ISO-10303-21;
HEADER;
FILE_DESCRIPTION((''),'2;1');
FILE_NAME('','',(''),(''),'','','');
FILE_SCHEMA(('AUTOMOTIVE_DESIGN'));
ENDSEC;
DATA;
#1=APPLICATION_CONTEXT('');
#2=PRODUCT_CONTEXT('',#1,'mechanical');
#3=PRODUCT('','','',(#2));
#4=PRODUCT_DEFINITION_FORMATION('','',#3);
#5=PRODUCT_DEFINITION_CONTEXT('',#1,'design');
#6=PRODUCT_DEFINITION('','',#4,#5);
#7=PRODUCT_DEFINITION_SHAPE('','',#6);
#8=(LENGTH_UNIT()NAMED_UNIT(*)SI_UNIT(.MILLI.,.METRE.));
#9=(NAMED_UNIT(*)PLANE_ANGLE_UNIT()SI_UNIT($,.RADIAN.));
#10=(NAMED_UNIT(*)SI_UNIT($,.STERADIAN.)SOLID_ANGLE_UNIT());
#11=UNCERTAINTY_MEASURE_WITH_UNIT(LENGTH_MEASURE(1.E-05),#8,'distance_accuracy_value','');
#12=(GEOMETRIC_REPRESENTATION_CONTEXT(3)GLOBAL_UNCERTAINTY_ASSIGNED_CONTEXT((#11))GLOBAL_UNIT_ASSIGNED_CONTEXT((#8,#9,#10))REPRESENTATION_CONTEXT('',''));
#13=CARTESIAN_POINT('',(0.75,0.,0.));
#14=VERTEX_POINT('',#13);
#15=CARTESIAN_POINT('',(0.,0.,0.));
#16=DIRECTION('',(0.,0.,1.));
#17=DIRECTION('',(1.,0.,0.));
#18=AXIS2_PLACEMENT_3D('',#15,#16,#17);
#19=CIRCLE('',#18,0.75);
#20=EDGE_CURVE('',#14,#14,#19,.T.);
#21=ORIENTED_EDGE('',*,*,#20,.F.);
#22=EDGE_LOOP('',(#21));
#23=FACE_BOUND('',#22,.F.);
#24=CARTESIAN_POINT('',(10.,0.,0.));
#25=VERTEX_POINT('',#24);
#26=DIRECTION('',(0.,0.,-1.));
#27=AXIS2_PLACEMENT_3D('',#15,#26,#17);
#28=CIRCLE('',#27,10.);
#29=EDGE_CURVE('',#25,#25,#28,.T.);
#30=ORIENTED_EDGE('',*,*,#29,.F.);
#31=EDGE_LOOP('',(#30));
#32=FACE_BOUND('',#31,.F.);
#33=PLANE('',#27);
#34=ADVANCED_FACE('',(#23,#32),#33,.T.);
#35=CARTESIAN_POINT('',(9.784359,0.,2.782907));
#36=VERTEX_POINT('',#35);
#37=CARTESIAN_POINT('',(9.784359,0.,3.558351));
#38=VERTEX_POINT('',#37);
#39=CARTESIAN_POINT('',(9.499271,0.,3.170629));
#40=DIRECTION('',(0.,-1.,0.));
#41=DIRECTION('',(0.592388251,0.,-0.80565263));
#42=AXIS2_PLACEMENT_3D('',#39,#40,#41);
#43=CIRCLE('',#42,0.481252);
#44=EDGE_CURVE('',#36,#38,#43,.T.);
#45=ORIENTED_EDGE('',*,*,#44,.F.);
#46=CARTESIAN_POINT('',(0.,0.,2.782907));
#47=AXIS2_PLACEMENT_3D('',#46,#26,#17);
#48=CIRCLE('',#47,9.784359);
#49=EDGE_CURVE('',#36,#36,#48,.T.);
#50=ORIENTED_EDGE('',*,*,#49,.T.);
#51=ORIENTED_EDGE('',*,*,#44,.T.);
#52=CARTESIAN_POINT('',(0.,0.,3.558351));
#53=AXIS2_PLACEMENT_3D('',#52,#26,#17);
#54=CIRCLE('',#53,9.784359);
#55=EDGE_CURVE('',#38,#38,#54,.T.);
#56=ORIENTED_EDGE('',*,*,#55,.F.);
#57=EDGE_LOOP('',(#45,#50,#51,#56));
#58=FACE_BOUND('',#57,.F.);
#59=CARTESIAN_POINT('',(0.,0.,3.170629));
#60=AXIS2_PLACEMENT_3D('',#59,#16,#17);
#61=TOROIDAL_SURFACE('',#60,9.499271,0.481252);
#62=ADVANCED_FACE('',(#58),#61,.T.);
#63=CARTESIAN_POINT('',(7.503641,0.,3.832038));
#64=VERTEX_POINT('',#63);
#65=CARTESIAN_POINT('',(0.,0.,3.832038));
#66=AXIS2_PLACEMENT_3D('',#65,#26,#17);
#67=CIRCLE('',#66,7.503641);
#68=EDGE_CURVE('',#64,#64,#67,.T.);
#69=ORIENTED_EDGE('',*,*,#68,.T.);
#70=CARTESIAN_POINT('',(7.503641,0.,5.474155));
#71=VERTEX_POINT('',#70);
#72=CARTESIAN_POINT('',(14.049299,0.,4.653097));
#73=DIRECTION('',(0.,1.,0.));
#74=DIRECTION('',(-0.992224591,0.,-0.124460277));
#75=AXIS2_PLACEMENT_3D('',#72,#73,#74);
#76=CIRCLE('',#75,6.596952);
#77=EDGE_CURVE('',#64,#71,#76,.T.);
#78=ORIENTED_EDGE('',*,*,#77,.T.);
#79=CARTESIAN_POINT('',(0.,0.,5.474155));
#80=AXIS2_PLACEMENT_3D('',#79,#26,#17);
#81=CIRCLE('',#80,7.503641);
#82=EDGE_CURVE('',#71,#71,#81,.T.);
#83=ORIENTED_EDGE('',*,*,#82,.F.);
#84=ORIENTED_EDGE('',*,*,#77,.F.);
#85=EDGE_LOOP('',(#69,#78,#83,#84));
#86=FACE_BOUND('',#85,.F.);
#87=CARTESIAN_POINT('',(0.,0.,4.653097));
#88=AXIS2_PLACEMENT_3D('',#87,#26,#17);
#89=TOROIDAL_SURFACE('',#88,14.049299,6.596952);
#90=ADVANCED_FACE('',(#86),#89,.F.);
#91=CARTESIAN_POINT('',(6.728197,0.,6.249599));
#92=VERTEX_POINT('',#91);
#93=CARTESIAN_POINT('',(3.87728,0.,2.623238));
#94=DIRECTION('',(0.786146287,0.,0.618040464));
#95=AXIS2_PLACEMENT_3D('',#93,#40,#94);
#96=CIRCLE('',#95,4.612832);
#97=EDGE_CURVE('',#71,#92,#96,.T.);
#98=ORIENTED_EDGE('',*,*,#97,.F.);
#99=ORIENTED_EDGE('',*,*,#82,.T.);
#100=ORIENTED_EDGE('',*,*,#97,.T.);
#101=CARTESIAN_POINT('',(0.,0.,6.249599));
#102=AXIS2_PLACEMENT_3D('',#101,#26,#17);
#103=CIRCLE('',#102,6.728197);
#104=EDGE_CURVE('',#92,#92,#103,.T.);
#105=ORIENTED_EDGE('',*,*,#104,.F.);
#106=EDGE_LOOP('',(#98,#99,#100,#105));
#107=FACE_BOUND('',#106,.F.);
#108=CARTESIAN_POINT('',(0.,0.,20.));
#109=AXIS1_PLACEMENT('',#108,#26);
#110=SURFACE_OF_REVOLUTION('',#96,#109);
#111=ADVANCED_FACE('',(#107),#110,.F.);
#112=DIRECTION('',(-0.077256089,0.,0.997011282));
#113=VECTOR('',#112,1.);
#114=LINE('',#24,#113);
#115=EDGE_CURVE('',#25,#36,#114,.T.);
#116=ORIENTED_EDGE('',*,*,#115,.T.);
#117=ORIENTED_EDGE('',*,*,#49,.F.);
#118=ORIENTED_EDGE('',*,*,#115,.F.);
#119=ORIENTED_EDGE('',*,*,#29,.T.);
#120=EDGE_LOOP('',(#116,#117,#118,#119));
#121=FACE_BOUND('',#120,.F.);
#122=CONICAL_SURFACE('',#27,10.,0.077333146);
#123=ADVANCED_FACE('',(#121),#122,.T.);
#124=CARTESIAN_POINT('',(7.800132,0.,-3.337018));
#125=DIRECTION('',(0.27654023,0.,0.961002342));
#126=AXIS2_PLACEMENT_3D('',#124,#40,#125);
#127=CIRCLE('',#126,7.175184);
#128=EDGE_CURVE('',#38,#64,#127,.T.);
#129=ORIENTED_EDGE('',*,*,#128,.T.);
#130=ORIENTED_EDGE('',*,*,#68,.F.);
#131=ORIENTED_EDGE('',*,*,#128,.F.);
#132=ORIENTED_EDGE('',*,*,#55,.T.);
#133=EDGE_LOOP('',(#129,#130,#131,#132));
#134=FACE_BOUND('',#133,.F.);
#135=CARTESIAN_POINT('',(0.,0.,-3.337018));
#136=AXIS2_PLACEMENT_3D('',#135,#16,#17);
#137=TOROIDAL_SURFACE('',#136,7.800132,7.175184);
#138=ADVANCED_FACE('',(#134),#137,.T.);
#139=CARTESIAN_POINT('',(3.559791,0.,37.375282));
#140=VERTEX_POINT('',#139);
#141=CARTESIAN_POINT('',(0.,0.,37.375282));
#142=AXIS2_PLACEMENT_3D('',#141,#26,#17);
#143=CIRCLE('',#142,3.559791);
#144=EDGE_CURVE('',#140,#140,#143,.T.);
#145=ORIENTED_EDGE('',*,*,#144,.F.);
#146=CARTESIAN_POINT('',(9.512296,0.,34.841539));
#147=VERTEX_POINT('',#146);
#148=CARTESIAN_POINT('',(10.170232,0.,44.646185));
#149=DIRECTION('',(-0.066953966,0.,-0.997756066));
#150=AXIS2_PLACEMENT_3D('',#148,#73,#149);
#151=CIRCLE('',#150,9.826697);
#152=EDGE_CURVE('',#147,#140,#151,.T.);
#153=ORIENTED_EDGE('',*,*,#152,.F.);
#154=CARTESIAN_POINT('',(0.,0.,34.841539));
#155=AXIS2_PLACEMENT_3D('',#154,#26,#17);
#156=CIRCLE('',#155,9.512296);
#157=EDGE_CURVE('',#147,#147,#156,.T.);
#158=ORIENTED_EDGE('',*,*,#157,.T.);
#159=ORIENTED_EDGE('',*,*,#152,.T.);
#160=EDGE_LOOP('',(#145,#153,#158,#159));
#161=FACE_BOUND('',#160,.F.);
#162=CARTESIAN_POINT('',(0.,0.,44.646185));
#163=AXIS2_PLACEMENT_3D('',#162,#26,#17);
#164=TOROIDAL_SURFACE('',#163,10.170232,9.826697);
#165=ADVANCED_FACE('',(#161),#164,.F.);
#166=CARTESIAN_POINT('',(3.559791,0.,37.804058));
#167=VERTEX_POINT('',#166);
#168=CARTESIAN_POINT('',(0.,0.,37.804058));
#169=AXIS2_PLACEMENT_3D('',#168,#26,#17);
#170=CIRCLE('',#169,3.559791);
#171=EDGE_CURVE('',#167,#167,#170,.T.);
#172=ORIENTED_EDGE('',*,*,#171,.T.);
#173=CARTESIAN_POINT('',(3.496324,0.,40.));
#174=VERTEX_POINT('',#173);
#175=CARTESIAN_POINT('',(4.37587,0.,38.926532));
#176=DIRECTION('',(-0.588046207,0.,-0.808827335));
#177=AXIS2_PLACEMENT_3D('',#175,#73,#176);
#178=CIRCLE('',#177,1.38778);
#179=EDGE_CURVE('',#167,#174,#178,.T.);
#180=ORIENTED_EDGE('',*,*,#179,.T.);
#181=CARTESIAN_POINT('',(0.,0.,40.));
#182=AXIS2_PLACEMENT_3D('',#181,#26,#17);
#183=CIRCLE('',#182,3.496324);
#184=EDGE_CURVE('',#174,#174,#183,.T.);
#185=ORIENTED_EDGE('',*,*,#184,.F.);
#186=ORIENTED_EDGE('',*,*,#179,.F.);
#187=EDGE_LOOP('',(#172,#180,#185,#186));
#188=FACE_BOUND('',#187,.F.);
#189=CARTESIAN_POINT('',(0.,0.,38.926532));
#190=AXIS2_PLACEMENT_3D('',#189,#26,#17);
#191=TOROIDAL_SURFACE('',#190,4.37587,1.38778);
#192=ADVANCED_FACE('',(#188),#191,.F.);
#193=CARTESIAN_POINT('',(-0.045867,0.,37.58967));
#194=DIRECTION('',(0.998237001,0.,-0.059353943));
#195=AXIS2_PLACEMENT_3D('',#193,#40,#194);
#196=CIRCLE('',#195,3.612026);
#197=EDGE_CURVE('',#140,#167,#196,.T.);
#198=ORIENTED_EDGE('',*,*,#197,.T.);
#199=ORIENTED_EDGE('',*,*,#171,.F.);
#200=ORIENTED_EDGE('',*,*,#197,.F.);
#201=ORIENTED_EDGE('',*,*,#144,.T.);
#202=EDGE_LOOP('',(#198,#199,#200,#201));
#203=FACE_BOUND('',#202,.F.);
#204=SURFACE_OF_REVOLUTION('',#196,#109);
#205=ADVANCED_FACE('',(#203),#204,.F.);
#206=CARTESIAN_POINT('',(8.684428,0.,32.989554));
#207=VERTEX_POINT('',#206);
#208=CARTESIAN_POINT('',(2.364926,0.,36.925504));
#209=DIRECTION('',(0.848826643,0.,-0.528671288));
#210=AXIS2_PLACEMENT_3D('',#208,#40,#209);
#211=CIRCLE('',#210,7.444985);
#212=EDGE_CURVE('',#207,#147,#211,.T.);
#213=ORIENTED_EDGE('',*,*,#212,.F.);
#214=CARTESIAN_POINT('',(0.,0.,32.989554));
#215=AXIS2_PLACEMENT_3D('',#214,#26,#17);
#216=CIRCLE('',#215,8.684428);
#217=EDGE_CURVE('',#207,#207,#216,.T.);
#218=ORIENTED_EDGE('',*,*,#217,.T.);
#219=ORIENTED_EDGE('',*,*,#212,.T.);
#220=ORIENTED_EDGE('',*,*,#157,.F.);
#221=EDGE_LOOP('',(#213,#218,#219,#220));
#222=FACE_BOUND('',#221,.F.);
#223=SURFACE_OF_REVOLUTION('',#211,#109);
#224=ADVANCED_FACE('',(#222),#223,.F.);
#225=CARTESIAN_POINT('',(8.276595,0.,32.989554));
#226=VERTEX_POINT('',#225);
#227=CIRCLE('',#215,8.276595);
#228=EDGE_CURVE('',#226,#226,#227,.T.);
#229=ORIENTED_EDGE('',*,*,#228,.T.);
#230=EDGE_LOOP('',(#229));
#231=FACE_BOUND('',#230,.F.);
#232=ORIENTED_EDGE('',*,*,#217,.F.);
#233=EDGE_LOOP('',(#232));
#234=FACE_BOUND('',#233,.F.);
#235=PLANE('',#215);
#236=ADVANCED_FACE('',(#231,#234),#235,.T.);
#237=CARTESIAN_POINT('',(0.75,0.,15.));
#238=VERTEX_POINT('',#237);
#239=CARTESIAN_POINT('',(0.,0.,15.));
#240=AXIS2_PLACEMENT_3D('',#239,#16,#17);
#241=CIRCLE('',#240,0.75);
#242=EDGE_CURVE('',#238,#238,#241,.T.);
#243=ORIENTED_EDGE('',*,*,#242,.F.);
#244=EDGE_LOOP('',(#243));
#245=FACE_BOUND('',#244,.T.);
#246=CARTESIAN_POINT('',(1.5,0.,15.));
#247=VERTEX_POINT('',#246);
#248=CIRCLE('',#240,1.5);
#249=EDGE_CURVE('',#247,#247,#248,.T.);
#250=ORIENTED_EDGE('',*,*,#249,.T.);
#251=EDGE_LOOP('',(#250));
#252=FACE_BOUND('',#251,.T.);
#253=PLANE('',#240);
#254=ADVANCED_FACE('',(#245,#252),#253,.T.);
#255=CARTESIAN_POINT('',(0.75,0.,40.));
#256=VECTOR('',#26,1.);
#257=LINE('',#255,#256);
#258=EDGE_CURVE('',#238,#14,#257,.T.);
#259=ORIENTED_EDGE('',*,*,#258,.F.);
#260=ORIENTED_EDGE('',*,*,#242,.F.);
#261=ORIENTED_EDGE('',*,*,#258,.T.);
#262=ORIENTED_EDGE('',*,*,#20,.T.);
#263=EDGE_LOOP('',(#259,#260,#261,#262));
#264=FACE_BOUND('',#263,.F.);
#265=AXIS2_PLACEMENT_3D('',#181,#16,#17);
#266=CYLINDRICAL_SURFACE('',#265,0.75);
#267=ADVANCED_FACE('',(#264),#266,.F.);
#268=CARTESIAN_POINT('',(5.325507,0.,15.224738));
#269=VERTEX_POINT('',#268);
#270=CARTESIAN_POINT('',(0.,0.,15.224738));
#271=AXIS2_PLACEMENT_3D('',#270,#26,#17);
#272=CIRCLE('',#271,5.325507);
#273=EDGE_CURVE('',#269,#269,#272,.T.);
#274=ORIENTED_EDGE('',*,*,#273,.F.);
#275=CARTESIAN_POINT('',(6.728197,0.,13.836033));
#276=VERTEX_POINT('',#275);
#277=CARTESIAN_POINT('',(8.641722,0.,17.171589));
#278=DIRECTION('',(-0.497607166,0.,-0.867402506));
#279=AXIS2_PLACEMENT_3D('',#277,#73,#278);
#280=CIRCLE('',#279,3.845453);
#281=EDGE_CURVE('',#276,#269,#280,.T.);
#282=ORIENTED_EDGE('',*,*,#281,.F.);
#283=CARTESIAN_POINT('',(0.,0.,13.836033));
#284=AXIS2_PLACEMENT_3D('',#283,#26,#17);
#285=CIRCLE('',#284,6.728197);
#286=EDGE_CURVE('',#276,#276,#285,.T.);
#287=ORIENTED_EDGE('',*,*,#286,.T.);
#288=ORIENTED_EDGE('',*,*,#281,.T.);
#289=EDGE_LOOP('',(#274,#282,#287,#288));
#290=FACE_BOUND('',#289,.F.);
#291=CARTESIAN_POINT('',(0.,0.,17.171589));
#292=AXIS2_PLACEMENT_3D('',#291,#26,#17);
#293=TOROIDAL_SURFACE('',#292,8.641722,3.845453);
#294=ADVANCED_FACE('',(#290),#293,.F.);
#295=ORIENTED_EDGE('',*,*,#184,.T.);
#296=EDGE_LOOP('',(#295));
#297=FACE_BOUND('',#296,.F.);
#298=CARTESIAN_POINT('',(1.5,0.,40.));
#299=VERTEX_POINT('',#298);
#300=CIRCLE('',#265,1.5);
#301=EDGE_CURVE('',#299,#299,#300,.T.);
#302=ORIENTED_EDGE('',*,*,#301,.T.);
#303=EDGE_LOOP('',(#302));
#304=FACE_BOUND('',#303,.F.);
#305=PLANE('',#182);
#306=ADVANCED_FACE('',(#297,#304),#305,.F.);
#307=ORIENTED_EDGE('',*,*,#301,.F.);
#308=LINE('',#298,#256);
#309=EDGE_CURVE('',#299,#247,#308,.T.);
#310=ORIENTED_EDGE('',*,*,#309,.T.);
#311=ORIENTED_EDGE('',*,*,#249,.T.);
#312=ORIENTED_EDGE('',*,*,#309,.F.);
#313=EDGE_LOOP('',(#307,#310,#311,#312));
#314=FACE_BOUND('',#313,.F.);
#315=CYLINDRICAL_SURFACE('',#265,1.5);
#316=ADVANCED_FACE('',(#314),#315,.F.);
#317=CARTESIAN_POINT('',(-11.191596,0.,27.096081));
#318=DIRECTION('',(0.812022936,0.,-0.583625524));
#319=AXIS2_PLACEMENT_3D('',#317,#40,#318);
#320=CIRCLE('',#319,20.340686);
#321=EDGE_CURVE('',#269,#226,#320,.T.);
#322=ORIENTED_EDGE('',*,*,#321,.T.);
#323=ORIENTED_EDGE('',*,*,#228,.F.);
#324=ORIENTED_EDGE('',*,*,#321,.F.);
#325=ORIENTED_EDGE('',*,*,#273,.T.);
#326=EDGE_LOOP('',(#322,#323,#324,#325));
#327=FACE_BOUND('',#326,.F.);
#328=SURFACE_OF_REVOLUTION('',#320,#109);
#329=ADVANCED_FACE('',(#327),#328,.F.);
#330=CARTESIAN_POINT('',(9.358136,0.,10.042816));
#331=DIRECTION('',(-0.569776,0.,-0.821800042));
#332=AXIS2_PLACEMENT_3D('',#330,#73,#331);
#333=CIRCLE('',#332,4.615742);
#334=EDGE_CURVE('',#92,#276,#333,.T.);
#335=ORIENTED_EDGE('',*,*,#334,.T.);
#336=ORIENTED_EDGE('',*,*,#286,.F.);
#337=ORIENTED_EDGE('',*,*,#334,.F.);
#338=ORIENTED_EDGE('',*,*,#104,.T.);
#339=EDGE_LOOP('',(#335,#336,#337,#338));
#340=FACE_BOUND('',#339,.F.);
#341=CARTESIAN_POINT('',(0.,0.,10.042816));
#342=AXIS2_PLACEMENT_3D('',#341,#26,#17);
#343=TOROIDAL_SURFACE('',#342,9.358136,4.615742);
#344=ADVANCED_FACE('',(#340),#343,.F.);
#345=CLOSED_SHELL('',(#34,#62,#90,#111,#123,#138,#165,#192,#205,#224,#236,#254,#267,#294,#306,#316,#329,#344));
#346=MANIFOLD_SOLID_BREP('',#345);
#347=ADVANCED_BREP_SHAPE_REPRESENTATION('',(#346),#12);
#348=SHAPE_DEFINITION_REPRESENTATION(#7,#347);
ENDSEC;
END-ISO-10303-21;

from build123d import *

# Parameters (mm, degrees)
F2_R     = 0.75
F3_DEPTH = 40.001
F2_R_2   = 1.5
F4_DEPTH = 25


with BuildPart() as f1:
    # F0 (on Front) → F1 (revolve)
    with BuildSketch(Plane.XZ):
        with BuildLine():
            Line((0, 40), (0, 0))
            Line((0, 0), (10, 0))
            Line((10, 0), (9.784359, 2.782907))
            ThreePointArc((9.784359, 2.782907), (9.980523, 3.170629), (9.784359, 3.558351))
            ThreePointArc((9.784359, 3.558351), (8.655024, 3.787056), (7.503641, 3.832038))
            ThreePointArc((7.503641, 3.832038), (7.452347, 4.653096), (7.503641, 5.474155))
            ThreePointArc((7.503641, 5.474155), (7.139045, 5.885003), (6.728197, 6.249599))
            ThreePointArc((6.728197, 6.249599), (4.742394, 10.042816), (6.728197, 13.836033))
            ThreePointArc((6.728197, 13.836033), (5.936233, 14.438854), (5.325507, 15.224738))
            ThreePointArc((5.325507, 15.224738), (8.874109, 23.76277), (8.276595, 32.989554))
            Line((8.276595, 32.989554), (8.684428, 32.989554))
            ThreePointArc((8.684428, 32.989554), (9.161736, 33.887218), (9.512296, 34.841539))
            ThreePointArc((9.512296, 34.841539), (6.321558, 35.604522), (3.559791, 37.375282))
            ThreePointArc((3.559791, 37.375282), (3.566159, 37.58967), (3.559791, 37.804058))
            ThreePointArc((3.559791, 37.804058), (2.988669, 38.88644), (3.496324, 40))
            Line((3.496324, 40), (0, 40))
        make_face()
    revolve(axis=Axis((0, 0, 20), (0, 0, -1)))

    # F2 (on face) → F3 (cut, through all)
    with BuildSketch(Plane.XY.offset(40)):
        Circle(F2_R)
    extrude(amount=-F3_DEPTH, mode=Mode.SUBTRACT)

    # F2 (on face) → F4 (cut)
    with BuildSketch(Plane.XY.offset(40)):
        Circle(F2_R_2)
        Circle(F2_R, mode=Mode.SUBTRACT)
    extrude(amount=-F4_DEPTH, mode=Mode.SUBTRACT)


solid = f1.part
